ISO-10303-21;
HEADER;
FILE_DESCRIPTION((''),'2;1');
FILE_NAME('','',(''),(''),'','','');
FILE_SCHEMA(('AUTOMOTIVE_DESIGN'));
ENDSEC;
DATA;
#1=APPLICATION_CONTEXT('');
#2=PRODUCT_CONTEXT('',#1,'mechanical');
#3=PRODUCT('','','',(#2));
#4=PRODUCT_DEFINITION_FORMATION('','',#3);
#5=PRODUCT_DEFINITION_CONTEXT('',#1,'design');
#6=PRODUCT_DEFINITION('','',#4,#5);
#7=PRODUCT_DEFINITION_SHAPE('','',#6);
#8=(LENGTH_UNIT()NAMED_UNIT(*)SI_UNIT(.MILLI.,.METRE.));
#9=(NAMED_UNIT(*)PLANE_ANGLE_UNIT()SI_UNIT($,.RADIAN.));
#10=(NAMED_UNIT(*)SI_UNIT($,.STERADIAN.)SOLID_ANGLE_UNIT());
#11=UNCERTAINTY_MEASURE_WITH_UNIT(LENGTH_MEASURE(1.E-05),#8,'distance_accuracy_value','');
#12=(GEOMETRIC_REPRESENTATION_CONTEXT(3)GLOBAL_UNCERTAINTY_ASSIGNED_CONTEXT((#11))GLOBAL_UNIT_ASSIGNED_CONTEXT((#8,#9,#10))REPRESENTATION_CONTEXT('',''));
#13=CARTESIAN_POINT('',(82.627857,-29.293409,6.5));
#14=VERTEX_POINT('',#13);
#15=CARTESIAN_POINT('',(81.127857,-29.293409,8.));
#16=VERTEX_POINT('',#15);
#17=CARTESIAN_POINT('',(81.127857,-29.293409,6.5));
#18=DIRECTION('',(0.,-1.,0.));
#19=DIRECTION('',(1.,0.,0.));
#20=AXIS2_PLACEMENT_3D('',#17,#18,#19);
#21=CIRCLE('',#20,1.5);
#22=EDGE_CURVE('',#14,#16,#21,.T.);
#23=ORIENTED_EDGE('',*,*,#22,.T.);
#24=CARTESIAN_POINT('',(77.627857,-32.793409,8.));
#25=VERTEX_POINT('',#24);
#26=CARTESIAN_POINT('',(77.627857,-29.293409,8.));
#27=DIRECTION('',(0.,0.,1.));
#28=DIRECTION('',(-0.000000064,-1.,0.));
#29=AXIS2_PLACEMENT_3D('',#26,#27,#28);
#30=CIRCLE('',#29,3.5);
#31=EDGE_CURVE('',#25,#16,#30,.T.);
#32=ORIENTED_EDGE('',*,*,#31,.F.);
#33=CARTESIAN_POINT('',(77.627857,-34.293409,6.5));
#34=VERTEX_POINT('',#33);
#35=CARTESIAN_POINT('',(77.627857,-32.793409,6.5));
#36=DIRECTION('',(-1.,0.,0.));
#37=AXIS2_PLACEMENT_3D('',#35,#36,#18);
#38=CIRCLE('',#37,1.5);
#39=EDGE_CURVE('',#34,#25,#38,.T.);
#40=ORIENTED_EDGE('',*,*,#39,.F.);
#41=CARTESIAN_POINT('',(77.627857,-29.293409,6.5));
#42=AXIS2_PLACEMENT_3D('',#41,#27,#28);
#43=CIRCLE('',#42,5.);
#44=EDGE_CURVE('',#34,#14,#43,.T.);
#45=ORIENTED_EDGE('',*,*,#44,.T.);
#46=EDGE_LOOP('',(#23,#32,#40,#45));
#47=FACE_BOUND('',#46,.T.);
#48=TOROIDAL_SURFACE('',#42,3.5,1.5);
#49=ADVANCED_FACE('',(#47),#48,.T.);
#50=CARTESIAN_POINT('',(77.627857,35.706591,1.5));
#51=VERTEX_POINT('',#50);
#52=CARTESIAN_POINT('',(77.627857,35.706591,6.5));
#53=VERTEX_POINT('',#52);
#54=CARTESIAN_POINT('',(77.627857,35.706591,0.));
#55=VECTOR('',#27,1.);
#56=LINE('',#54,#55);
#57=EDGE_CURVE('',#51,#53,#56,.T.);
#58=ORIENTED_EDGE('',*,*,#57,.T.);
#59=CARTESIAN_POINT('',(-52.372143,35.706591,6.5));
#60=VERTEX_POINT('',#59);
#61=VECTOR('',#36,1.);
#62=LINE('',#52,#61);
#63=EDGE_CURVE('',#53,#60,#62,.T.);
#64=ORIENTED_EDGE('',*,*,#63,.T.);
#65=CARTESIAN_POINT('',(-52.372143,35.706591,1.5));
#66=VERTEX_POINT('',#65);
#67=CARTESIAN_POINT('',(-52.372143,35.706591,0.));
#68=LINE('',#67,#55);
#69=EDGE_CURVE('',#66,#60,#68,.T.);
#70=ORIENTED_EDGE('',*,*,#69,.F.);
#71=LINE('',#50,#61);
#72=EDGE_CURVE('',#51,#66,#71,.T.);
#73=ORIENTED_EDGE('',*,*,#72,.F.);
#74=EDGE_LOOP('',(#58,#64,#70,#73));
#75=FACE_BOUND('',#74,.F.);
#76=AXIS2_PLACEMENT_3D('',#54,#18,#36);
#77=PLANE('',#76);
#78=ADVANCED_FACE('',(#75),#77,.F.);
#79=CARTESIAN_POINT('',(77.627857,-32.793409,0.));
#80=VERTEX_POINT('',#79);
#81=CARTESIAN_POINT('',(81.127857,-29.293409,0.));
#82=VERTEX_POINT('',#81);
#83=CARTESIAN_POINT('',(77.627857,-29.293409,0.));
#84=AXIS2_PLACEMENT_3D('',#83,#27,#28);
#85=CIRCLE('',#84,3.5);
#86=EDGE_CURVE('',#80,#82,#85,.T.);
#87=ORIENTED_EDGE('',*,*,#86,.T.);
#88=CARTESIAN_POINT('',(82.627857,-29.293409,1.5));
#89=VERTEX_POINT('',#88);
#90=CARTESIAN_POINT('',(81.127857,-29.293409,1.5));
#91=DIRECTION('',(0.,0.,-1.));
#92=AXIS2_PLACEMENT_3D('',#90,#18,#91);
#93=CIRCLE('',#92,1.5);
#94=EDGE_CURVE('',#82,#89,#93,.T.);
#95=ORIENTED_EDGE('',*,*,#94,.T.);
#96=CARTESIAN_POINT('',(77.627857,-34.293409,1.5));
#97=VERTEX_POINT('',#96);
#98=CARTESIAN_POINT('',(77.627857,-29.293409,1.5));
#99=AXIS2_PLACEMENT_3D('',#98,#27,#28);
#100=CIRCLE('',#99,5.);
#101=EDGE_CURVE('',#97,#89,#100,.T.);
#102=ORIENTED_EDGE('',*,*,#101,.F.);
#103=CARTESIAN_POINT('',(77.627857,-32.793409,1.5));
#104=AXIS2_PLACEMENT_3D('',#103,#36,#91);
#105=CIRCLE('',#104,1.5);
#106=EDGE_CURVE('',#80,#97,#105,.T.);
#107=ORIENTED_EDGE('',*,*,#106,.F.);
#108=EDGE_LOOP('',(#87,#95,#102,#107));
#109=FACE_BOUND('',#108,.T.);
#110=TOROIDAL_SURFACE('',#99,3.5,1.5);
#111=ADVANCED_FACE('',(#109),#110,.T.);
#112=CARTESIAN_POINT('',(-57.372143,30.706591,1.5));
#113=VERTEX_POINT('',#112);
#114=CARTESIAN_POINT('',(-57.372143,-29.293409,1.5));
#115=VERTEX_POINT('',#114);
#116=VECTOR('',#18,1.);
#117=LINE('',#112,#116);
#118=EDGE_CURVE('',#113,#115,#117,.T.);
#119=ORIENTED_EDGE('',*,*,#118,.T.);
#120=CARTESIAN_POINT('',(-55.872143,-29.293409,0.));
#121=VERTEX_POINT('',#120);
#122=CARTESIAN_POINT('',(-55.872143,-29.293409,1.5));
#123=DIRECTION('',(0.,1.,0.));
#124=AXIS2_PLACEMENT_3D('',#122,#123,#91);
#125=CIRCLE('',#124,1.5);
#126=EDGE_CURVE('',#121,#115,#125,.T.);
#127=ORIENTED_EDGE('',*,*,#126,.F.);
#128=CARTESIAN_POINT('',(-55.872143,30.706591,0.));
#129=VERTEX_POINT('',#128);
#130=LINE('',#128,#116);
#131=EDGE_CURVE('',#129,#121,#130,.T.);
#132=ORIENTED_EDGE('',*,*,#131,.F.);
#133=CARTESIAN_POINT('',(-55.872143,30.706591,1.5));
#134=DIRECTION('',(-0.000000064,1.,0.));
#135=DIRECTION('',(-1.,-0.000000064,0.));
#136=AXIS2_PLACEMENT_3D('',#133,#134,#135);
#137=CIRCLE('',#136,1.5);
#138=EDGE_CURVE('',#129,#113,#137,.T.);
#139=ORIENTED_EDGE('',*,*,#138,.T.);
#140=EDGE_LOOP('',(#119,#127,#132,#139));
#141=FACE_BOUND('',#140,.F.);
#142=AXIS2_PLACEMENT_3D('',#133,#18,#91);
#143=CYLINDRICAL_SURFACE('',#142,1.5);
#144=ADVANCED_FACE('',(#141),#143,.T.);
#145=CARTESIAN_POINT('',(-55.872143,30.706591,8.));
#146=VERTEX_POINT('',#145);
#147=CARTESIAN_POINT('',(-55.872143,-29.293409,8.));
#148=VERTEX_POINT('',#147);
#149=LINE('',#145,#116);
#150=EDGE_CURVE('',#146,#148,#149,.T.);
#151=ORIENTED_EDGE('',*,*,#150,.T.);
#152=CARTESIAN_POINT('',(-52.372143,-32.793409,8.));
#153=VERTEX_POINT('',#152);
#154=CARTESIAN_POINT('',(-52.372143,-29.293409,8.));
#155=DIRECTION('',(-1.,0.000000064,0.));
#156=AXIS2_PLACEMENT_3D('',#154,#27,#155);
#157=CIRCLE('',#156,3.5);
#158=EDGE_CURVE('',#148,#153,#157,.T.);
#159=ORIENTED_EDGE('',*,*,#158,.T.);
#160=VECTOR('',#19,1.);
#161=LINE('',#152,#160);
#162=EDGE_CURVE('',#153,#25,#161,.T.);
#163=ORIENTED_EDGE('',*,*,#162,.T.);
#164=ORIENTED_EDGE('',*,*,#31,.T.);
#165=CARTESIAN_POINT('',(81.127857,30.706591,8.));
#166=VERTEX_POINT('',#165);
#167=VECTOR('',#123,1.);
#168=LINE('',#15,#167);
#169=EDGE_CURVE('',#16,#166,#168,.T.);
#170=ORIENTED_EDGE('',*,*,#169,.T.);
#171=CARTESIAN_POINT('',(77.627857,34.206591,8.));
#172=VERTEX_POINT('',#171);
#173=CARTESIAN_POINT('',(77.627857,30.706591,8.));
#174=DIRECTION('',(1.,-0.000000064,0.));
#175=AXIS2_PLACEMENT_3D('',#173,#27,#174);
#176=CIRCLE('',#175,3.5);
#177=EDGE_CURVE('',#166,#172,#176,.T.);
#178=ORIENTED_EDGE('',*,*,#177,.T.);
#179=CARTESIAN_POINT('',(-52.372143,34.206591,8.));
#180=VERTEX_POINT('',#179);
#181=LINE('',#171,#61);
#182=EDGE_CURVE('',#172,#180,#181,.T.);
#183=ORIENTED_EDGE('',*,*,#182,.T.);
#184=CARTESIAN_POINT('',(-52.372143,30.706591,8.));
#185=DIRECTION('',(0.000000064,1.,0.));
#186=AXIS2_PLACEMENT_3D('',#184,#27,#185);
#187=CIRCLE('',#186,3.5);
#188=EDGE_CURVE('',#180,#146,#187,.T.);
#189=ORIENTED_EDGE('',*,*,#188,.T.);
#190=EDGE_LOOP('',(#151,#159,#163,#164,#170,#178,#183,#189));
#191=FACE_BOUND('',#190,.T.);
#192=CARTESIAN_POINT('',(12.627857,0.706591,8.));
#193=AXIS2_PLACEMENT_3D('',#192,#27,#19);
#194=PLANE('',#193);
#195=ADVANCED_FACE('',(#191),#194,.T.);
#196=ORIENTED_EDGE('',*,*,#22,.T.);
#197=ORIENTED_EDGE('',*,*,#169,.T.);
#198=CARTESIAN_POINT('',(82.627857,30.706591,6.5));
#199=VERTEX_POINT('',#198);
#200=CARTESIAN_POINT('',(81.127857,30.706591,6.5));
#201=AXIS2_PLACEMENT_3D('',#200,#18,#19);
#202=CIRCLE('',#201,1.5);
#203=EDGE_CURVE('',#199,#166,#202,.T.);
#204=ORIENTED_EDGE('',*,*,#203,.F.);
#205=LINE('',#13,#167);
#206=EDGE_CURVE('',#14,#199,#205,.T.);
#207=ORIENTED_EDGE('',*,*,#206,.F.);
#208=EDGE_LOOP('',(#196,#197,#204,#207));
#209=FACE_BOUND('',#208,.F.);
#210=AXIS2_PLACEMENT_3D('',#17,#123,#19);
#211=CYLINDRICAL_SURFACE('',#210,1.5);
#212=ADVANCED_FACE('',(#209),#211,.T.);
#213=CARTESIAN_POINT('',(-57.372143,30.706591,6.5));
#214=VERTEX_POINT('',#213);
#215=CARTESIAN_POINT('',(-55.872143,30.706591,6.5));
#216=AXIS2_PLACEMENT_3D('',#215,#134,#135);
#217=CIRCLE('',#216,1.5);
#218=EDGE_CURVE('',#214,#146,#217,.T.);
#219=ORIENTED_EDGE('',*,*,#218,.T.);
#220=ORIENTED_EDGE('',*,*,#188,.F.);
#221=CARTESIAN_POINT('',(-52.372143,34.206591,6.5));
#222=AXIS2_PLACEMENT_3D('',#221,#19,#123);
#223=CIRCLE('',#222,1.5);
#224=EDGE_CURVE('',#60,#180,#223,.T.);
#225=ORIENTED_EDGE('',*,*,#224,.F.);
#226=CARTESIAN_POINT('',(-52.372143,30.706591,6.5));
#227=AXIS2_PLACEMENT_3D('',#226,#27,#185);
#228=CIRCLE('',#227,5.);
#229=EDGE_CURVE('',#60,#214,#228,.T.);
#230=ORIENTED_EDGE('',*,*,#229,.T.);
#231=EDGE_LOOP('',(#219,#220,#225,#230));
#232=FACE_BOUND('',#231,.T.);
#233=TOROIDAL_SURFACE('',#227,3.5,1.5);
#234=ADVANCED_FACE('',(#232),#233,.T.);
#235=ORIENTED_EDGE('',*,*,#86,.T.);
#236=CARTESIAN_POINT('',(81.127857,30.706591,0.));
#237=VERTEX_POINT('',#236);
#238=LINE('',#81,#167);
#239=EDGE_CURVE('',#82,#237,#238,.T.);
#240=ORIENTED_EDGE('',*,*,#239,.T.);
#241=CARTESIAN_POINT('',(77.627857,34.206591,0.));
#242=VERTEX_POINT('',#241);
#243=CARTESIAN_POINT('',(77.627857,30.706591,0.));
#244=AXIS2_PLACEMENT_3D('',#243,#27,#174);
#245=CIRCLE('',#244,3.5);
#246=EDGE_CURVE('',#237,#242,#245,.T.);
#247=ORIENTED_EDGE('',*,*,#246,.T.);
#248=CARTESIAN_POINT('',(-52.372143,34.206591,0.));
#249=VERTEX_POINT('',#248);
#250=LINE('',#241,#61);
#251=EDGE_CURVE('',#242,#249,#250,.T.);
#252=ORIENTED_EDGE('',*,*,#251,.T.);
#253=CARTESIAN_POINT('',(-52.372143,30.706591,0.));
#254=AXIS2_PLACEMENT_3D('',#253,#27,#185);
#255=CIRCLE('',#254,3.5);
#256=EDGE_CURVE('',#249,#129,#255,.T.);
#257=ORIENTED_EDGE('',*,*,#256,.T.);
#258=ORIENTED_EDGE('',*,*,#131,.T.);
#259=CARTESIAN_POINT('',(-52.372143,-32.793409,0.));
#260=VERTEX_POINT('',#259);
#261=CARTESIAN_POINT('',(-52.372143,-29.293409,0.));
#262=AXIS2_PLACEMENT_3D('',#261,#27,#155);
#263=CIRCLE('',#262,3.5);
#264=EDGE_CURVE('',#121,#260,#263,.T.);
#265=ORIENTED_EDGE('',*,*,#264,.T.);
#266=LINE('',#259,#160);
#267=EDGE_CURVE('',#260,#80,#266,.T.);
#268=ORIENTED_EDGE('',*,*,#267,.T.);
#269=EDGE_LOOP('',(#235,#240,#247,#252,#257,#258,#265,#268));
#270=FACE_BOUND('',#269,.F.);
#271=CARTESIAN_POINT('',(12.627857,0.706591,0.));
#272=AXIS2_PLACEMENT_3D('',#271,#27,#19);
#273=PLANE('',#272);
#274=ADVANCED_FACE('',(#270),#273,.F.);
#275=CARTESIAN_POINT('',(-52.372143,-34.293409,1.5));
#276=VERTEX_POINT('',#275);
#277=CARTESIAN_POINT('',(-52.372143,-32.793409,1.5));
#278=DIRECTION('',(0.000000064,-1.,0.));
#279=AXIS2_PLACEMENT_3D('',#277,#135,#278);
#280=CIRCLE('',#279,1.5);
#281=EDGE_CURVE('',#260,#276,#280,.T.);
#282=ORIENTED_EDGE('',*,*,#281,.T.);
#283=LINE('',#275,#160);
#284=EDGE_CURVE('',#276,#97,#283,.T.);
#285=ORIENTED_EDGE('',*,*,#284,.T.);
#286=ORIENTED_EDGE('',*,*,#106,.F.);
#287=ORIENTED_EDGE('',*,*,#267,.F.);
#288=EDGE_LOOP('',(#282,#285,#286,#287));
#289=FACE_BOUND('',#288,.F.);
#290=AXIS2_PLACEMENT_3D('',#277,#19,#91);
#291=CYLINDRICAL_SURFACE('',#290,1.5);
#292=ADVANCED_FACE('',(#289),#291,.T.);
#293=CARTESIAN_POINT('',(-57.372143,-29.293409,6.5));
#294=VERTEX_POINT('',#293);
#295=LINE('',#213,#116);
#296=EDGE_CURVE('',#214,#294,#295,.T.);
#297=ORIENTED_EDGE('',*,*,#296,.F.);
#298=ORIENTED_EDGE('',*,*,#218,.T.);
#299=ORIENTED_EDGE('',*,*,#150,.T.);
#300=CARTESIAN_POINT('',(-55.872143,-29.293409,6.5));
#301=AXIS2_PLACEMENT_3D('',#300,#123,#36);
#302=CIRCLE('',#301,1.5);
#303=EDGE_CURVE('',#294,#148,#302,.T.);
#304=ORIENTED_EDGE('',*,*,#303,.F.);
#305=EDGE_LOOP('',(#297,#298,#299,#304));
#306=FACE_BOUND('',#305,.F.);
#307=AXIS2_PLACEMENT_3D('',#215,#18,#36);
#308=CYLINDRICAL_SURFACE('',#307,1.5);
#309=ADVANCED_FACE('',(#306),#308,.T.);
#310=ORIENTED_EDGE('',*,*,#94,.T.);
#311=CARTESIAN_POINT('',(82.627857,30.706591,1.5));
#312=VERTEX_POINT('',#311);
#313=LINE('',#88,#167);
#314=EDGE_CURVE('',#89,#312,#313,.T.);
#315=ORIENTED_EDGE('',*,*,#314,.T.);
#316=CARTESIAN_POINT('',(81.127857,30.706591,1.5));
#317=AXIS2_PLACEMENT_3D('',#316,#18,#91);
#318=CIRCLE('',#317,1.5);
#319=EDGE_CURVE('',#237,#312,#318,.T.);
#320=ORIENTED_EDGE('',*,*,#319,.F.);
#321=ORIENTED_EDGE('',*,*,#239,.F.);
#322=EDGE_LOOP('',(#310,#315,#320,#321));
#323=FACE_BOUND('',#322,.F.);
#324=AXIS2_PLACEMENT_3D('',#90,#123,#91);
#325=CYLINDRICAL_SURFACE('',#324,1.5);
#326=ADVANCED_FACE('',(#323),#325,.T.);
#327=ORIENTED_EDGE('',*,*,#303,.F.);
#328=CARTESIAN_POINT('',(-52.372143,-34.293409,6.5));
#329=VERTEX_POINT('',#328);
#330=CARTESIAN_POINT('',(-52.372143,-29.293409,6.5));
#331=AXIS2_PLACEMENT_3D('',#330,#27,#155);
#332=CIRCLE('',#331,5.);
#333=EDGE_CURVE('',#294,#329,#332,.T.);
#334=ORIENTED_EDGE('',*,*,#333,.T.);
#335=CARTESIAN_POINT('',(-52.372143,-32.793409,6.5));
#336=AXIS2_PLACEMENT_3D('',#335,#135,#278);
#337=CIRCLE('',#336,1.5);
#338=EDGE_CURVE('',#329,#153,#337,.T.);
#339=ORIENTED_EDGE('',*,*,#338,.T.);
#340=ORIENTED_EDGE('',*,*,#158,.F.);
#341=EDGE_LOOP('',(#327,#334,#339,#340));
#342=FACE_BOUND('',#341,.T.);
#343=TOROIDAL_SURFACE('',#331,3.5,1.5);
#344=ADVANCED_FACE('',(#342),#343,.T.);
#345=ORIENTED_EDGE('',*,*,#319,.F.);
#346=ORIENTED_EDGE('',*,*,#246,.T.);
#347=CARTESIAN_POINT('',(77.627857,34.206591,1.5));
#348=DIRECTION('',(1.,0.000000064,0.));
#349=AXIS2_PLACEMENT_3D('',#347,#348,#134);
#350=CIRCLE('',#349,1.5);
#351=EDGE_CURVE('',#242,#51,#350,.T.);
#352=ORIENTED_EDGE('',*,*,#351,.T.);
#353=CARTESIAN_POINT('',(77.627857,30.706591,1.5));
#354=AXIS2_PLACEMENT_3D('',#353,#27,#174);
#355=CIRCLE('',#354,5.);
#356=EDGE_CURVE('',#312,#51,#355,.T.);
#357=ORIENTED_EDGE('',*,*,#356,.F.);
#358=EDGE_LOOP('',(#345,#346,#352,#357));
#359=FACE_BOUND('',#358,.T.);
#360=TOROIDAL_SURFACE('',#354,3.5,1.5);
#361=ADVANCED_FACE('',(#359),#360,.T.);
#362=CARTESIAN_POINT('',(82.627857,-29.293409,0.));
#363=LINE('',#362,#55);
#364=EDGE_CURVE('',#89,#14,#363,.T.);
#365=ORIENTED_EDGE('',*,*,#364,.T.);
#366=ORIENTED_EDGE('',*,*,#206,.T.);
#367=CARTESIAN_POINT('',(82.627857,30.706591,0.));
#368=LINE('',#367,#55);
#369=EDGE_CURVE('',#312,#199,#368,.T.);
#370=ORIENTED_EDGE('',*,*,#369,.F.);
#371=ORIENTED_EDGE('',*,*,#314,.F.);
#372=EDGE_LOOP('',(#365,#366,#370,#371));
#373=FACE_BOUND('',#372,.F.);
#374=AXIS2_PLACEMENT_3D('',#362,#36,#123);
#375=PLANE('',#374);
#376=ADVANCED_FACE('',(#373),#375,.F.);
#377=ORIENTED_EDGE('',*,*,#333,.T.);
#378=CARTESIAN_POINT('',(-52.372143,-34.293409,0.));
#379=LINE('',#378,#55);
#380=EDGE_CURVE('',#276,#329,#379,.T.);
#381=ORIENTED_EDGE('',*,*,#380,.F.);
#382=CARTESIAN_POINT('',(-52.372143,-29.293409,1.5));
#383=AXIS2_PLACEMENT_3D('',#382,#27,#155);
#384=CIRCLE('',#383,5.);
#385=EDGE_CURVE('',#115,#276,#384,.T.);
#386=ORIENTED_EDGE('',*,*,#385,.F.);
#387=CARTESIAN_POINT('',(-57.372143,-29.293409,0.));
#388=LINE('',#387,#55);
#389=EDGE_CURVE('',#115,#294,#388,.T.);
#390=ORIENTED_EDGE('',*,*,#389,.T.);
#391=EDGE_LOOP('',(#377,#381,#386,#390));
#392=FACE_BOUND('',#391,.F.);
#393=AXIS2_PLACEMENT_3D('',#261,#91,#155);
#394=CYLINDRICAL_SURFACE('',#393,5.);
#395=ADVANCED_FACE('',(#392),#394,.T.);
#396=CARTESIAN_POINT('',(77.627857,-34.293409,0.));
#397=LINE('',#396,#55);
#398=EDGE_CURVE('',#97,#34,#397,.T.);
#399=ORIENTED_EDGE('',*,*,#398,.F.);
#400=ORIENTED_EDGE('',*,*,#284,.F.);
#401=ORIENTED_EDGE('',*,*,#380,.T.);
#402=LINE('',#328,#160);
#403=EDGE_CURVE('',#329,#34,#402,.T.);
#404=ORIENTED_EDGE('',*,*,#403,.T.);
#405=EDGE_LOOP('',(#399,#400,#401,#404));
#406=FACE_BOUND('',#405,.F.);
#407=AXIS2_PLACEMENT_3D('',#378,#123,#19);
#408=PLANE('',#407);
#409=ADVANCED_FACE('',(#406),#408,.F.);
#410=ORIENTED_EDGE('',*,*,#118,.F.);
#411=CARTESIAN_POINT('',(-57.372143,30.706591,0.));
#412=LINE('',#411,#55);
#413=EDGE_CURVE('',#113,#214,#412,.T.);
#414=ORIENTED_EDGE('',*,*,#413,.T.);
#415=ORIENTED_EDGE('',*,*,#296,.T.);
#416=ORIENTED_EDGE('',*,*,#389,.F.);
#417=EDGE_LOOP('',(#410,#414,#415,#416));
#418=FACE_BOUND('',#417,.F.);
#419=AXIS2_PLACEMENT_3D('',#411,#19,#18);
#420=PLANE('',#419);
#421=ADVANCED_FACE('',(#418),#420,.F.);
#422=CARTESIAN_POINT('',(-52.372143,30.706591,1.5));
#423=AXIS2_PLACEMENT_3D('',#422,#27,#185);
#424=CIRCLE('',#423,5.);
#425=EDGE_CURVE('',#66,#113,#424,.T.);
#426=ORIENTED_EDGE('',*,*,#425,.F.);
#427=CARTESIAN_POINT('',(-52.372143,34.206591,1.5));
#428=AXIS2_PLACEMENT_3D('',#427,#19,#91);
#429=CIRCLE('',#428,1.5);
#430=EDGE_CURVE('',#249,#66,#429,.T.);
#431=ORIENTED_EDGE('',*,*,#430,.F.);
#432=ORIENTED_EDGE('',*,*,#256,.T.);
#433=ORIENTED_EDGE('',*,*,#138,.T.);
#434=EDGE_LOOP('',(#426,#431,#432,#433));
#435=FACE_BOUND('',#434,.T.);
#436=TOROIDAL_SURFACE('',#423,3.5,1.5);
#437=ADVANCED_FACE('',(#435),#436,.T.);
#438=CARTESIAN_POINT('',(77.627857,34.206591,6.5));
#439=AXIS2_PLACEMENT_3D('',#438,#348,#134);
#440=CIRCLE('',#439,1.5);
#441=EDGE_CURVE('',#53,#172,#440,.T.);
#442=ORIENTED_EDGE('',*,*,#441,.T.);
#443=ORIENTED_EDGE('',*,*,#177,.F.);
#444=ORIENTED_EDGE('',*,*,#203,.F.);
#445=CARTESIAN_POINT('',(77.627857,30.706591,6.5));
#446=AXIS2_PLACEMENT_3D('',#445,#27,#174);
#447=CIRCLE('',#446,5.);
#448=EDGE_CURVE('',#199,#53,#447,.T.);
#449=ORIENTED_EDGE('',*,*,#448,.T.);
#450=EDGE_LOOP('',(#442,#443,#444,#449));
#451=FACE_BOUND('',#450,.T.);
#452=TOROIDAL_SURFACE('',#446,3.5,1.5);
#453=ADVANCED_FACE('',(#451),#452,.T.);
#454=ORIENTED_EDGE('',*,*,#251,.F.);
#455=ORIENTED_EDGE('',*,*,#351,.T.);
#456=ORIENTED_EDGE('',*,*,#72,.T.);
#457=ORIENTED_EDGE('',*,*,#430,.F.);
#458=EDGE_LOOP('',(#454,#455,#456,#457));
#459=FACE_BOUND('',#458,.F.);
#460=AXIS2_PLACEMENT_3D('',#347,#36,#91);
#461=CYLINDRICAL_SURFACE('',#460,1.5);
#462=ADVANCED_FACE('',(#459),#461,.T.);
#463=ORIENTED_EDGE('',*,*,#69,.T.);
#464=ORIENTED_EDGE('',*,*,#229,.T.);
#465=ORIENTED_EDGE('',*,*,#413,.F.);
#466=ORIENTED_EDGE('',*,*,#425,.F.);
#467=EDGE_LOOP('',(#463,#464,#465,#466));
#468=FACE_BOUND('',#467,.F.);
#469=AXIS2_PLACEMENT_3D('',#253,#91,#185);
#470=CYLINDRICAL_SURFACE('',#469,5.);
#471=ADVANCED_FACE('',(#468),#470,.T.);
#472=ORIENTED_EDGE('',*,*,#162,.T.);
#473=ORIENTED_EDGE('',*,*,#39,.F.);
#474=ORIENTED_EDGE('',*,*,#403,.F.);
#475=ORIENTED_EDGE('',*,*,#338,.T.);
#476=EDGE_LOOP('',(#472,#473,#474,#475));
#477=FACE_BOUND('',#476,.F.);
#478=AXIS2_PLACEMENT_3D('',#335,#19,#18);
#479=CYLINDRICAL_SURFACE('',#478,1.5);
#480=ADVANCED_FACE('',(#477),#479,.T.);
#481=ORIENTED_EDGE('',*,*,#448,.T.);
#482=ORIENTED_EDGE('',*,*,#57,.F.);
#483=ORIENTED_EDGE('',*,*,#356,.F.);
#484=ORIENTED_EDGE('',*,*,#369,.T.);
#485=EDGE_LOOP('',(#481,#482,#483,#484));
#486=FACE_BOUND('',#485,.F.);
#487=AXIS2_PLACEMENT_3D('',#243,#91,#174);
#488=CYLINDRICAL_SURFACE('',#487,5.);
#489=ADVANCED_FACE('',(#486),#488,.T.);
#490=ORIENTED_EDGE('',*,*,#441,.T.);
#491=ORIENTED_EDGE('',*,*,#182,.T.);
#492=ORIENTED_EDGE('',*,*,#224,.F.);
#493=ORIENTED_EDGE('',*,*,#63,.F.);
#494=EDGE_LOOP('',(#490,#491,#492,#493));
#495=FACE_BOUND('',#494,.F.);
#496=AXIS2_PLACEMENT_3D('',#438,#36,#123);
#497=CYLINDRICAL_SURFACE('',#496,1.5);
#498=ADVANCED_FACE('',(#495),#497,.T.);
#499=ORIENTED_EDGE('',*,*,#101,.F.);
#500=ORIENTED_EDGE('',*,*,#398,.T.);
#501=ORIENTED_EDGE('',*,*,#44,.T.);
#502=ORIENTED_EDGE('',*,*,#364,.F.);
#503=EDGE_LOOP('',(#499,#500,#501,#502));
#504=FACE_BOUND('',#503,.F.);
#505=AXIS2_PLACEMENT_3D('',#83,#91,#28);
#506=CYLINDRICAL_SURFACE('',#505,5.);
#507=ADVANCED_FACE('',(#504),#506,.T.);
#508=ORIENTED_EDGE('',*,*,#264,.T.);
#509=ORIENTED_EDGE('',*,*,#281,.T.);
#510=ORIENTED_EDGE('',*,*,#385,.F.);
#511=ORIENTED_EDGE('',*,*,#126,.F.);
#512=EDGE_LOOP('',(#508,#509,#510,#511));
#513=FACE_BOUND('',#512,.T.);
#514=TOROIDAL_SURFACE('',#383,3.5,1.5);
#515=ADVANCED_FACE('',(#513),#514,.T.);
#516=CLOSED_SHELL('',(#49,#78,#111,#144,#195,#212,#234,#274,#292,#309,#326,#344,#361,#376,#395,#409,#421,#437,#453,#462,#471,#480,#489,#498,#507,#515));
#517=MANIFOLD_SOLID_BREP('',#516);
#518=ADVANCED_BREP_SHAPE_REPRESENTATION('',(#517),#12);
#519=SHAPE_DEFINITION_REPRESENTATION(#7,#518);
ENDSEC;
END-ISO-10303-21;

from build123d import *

# Parameters (mm, degrees)
F1_DEPTH = 8
F3_R     = 1.5
F4_R     = 1.5


with BuildPart() as f1:
    # F0 (on Top) → F1 (new body)
    with BuildSketch(Plane.XY):
        with BuildLine():
            Line((77.627857, 35.706591), (-52.372143, 35.706591))
            ThreePointArc((-52.372143, 35.706591), (-55.907677, 34.242125), (-57.372143, 30.706591))
            Line((-57.372143, 30.706591), (-57.372143, -29.293409))
            ThreePointArc((-57.372143, -29.293409), (-55.907677, -32.828943), (-52.372143, -34.293409))
            Line((-52.372143, -34.293409), (77.627857, -34.293409))
            ThreePointArc((77.627857, -34.293409), (81.163391, -32.828943), (82.627857, -29.293409))
            Line((82.627857, -29.293409), (82.627857, 30.706591))
            ThreePointArc((82.627857, 30.706591), (81.163391, 34.242125), (77.627857, 35.706591))
        make_face()
    extrude(amount=F1_DEPTH)

    # F3
    f3_edges = [f1.edges().sort_by_distance(p)[0] for p in [
        (82.627857, 0.706591, 8),
        (81.163391, 34.242125, 8),
        (12.627857, 35.706591, 8),
        (-55.907677, 34.242125, 8),
        (-57.372143, 0.706591, 8),
        (-55.907677, -32.828943, 8),
        (12.627857, -34.293409, 8),
        (81.163391, -32.828943, 8),
    ]]
    fillet(f3_edges, radius=F3_R)

    # F4
    f4_edges = [f1.edges().sort_by_distance(p)[0] for p in [
        (82.627857, 0.706591, 0),
        (81.163391, 34.242125, 0),
        (12.627857, 35.706591, 0),
        (-55.907677, 34.242125, 0),
        (-57.372143, 0.706591, 0),
        (-55.907677, -32.828943, 0),
        (12.627857, -34.293409, 0),
        (81.163391, -32.828943, 0),
    ]]
    fillet(f4_edges, radius=F4_R)


solid = f1.part
